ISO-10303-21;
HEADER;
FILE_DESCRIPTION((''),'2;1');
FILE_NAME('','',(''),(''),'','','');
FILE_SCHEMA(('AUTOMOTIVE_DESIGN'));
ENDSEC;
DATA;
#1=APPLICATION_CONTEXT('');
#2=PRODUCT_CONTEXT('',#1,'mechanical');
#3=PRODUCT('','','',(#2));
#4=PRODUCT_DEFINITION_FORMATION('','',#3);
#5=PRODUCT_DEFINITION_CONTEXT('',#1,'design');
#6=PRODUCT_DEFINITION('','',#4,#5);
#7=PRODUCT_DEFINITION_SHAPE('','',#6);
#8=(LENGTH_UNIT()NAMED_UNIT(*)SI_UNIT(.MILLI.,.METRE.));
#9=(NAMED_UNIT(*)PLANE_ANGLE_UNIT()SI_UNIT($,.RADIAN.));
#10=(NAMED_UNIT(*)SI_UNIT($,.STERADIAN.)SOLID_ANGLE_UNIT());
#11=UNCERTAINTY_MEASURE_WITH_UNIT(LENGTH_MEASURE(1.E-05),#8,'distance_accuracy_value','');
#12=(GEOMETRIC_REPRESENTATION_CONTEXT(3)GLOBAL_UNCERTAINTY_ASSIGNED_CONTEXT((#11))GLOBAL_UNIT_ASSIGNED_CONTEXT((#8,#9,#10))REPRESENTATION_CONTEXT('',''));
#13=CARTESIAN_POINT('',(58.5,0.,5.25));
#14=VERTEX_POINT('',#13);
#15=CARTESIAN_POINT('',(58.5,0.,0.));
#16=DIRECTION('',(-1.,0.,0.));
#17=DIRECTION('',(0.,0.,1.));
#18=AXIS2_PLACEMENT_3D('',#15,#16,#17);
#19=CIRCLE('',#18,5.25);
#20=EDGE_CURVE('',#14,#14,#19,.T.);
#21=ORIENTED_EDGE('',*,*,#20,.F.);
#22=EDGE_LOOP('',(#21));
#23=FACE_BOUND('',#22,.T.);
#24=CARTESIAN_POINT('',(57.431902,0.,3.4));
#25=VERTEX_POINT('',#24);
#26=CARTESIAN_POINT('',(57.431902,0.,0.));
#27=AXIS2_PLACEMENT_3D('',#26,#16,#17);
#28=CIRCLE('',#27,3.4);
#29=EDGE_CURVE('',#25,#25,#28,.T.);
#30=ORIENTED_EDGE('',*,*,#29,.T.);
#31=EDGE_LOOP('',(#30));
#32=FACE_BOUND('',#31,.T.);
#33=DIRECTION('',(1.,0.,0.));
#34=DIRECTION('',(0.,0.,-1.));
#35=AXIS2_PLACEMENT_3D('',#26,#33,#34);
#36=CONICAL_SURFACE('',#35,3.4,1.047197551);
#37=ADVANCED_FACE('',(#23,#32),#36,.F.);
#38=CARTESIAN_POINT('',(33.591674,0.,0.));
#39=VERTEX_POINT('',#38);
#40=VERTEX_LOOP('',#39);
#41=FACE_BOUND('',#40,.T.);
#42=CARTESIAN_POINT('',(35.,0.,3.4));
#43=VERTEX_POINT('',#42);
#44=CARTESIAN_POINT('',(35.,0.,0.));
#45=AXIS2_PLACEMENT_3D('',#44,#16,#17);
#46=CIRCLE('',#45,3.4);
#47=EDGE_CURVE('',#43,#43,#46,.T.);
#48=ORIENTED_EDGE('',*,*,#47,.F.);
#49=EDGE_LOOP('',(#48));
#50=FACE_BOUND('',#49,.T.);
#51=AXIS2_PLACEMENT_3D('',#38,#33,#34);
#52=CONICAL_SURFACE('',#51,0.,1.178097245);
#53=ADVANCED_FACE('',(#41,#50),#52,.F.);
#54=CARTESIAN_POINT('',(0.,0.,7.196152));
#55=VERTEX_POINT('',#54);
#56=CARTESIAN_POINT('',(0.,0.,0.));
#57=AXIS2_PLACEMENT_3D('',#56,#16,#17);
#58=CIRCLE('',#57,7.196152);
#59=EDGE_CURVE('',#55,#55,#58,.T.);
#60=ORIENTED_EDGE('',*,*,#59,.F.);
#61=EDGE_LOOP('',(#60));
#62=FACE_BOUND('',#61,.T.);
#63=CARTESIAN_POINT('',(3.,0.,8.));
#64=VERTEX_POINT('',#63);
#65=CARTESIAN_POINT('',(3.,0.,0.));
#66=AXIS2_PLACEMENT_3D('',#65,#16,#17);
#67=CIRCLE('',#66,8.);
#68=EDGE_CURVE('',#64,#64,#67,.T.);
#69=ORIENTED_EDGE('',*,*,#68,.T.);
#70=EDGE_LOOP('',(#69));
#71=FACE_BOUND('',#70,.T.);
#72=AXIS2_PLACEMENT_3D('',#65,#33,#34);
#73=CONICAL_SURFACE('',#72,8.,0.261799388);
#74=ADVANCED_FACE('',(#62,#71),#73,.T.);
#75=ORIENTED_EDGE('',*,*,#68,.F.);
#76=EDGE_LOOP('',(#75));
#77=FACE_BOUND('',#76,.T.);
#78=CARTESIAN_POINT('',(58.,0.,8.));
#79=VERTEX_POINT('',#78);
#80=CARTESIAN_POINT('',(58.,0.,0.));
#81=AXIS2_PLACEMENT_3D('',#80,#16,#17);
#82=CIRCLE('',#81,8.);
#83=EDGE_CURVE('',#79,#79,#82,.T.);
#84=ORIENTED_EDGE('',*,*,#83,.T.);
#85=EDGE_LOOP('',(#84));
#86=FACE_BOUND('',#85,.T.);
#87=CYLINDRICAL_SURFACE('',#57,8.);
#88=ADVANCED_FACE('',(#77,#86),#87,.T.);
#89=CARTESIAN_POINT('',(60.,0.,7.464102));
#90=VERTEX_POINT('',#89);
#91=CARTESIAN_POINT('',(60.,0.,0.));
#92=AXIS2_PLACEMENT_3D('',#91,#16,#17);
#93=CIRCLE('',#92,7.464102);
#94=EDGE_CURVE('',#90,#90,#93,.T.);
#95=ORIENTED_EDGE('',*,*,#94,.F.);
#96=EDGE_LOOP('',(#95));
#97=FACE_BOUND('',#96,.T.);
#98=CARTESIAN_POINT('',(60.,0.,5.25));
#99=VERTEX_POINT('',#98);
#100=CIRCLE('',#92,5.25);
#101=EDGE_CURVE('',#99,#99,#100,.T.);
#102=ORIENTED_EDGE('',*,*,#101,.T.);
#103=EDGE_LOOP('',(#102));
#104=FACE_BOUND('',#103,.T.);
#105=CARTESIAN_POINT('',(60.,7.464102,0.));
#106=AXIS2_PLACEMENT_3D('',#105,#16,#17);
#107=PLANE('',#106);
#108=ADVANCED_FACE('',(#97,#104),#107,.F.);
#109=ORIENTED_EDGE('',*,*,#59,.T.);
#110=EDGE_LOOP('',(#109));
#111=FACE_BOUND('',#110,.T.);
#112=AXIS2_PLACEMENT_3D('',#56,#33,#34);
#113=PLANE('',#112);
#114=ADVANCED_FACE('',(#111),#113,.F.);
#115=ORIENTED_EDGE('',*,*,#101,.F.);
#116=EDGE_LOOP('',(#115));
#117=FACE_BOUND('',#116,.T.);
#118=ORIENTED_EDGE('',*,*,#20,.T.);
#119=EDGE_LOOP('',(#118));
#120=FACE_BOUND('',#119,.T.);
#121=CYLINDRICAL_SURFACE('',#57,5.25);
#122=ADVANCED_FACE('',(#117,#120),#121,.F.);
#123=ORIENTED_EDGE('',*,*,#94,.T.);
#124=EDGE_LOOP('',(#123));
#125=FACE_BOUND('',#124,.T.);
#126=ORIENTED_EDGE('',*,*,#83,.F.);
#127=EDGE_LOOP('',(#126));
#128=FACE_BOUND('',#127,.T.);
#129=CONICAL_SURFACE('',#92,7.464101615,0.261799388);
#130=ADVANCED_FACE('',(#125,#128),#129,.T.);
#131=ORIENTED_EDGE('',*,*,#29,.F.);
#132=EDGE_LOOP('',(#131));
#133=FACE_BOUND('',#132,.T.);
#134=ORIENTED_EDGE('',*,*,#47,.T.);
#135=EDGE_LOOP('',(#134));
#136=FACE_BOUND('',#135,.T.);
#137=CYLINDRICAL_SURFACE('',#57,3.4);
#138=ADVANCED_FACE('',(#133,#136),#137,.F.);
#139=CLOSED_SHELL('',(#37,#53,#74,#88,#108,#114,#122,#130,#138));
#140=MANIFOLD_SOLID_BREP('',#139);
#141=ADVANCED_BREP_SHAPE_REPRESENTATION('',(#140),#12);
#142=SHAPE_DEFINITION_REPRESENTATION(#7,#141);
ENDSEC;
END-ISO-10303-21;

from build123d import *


with BuildPart() as part:
    # BodySke → Body (revolve)
    with BuildSketch(Plane.XY, mode=Mode.PRIVATE) as body_sk:
        Polygon((3, 8), (58, 8), (60, 7.464101615), (60, 5.25), (58.5, 5.25), (57.431902002, 3.4), (35, 3.4), (33.591673888, 0), (0, 0), (0, 7.196152423), align=None)
    revolve(body_sk.sketch.rotate(Axis((0, 0, 0), (1, 0, 0)), 90), axis=Axis((0, 0, 0), (1, 0, 0)))


solid = part.part
